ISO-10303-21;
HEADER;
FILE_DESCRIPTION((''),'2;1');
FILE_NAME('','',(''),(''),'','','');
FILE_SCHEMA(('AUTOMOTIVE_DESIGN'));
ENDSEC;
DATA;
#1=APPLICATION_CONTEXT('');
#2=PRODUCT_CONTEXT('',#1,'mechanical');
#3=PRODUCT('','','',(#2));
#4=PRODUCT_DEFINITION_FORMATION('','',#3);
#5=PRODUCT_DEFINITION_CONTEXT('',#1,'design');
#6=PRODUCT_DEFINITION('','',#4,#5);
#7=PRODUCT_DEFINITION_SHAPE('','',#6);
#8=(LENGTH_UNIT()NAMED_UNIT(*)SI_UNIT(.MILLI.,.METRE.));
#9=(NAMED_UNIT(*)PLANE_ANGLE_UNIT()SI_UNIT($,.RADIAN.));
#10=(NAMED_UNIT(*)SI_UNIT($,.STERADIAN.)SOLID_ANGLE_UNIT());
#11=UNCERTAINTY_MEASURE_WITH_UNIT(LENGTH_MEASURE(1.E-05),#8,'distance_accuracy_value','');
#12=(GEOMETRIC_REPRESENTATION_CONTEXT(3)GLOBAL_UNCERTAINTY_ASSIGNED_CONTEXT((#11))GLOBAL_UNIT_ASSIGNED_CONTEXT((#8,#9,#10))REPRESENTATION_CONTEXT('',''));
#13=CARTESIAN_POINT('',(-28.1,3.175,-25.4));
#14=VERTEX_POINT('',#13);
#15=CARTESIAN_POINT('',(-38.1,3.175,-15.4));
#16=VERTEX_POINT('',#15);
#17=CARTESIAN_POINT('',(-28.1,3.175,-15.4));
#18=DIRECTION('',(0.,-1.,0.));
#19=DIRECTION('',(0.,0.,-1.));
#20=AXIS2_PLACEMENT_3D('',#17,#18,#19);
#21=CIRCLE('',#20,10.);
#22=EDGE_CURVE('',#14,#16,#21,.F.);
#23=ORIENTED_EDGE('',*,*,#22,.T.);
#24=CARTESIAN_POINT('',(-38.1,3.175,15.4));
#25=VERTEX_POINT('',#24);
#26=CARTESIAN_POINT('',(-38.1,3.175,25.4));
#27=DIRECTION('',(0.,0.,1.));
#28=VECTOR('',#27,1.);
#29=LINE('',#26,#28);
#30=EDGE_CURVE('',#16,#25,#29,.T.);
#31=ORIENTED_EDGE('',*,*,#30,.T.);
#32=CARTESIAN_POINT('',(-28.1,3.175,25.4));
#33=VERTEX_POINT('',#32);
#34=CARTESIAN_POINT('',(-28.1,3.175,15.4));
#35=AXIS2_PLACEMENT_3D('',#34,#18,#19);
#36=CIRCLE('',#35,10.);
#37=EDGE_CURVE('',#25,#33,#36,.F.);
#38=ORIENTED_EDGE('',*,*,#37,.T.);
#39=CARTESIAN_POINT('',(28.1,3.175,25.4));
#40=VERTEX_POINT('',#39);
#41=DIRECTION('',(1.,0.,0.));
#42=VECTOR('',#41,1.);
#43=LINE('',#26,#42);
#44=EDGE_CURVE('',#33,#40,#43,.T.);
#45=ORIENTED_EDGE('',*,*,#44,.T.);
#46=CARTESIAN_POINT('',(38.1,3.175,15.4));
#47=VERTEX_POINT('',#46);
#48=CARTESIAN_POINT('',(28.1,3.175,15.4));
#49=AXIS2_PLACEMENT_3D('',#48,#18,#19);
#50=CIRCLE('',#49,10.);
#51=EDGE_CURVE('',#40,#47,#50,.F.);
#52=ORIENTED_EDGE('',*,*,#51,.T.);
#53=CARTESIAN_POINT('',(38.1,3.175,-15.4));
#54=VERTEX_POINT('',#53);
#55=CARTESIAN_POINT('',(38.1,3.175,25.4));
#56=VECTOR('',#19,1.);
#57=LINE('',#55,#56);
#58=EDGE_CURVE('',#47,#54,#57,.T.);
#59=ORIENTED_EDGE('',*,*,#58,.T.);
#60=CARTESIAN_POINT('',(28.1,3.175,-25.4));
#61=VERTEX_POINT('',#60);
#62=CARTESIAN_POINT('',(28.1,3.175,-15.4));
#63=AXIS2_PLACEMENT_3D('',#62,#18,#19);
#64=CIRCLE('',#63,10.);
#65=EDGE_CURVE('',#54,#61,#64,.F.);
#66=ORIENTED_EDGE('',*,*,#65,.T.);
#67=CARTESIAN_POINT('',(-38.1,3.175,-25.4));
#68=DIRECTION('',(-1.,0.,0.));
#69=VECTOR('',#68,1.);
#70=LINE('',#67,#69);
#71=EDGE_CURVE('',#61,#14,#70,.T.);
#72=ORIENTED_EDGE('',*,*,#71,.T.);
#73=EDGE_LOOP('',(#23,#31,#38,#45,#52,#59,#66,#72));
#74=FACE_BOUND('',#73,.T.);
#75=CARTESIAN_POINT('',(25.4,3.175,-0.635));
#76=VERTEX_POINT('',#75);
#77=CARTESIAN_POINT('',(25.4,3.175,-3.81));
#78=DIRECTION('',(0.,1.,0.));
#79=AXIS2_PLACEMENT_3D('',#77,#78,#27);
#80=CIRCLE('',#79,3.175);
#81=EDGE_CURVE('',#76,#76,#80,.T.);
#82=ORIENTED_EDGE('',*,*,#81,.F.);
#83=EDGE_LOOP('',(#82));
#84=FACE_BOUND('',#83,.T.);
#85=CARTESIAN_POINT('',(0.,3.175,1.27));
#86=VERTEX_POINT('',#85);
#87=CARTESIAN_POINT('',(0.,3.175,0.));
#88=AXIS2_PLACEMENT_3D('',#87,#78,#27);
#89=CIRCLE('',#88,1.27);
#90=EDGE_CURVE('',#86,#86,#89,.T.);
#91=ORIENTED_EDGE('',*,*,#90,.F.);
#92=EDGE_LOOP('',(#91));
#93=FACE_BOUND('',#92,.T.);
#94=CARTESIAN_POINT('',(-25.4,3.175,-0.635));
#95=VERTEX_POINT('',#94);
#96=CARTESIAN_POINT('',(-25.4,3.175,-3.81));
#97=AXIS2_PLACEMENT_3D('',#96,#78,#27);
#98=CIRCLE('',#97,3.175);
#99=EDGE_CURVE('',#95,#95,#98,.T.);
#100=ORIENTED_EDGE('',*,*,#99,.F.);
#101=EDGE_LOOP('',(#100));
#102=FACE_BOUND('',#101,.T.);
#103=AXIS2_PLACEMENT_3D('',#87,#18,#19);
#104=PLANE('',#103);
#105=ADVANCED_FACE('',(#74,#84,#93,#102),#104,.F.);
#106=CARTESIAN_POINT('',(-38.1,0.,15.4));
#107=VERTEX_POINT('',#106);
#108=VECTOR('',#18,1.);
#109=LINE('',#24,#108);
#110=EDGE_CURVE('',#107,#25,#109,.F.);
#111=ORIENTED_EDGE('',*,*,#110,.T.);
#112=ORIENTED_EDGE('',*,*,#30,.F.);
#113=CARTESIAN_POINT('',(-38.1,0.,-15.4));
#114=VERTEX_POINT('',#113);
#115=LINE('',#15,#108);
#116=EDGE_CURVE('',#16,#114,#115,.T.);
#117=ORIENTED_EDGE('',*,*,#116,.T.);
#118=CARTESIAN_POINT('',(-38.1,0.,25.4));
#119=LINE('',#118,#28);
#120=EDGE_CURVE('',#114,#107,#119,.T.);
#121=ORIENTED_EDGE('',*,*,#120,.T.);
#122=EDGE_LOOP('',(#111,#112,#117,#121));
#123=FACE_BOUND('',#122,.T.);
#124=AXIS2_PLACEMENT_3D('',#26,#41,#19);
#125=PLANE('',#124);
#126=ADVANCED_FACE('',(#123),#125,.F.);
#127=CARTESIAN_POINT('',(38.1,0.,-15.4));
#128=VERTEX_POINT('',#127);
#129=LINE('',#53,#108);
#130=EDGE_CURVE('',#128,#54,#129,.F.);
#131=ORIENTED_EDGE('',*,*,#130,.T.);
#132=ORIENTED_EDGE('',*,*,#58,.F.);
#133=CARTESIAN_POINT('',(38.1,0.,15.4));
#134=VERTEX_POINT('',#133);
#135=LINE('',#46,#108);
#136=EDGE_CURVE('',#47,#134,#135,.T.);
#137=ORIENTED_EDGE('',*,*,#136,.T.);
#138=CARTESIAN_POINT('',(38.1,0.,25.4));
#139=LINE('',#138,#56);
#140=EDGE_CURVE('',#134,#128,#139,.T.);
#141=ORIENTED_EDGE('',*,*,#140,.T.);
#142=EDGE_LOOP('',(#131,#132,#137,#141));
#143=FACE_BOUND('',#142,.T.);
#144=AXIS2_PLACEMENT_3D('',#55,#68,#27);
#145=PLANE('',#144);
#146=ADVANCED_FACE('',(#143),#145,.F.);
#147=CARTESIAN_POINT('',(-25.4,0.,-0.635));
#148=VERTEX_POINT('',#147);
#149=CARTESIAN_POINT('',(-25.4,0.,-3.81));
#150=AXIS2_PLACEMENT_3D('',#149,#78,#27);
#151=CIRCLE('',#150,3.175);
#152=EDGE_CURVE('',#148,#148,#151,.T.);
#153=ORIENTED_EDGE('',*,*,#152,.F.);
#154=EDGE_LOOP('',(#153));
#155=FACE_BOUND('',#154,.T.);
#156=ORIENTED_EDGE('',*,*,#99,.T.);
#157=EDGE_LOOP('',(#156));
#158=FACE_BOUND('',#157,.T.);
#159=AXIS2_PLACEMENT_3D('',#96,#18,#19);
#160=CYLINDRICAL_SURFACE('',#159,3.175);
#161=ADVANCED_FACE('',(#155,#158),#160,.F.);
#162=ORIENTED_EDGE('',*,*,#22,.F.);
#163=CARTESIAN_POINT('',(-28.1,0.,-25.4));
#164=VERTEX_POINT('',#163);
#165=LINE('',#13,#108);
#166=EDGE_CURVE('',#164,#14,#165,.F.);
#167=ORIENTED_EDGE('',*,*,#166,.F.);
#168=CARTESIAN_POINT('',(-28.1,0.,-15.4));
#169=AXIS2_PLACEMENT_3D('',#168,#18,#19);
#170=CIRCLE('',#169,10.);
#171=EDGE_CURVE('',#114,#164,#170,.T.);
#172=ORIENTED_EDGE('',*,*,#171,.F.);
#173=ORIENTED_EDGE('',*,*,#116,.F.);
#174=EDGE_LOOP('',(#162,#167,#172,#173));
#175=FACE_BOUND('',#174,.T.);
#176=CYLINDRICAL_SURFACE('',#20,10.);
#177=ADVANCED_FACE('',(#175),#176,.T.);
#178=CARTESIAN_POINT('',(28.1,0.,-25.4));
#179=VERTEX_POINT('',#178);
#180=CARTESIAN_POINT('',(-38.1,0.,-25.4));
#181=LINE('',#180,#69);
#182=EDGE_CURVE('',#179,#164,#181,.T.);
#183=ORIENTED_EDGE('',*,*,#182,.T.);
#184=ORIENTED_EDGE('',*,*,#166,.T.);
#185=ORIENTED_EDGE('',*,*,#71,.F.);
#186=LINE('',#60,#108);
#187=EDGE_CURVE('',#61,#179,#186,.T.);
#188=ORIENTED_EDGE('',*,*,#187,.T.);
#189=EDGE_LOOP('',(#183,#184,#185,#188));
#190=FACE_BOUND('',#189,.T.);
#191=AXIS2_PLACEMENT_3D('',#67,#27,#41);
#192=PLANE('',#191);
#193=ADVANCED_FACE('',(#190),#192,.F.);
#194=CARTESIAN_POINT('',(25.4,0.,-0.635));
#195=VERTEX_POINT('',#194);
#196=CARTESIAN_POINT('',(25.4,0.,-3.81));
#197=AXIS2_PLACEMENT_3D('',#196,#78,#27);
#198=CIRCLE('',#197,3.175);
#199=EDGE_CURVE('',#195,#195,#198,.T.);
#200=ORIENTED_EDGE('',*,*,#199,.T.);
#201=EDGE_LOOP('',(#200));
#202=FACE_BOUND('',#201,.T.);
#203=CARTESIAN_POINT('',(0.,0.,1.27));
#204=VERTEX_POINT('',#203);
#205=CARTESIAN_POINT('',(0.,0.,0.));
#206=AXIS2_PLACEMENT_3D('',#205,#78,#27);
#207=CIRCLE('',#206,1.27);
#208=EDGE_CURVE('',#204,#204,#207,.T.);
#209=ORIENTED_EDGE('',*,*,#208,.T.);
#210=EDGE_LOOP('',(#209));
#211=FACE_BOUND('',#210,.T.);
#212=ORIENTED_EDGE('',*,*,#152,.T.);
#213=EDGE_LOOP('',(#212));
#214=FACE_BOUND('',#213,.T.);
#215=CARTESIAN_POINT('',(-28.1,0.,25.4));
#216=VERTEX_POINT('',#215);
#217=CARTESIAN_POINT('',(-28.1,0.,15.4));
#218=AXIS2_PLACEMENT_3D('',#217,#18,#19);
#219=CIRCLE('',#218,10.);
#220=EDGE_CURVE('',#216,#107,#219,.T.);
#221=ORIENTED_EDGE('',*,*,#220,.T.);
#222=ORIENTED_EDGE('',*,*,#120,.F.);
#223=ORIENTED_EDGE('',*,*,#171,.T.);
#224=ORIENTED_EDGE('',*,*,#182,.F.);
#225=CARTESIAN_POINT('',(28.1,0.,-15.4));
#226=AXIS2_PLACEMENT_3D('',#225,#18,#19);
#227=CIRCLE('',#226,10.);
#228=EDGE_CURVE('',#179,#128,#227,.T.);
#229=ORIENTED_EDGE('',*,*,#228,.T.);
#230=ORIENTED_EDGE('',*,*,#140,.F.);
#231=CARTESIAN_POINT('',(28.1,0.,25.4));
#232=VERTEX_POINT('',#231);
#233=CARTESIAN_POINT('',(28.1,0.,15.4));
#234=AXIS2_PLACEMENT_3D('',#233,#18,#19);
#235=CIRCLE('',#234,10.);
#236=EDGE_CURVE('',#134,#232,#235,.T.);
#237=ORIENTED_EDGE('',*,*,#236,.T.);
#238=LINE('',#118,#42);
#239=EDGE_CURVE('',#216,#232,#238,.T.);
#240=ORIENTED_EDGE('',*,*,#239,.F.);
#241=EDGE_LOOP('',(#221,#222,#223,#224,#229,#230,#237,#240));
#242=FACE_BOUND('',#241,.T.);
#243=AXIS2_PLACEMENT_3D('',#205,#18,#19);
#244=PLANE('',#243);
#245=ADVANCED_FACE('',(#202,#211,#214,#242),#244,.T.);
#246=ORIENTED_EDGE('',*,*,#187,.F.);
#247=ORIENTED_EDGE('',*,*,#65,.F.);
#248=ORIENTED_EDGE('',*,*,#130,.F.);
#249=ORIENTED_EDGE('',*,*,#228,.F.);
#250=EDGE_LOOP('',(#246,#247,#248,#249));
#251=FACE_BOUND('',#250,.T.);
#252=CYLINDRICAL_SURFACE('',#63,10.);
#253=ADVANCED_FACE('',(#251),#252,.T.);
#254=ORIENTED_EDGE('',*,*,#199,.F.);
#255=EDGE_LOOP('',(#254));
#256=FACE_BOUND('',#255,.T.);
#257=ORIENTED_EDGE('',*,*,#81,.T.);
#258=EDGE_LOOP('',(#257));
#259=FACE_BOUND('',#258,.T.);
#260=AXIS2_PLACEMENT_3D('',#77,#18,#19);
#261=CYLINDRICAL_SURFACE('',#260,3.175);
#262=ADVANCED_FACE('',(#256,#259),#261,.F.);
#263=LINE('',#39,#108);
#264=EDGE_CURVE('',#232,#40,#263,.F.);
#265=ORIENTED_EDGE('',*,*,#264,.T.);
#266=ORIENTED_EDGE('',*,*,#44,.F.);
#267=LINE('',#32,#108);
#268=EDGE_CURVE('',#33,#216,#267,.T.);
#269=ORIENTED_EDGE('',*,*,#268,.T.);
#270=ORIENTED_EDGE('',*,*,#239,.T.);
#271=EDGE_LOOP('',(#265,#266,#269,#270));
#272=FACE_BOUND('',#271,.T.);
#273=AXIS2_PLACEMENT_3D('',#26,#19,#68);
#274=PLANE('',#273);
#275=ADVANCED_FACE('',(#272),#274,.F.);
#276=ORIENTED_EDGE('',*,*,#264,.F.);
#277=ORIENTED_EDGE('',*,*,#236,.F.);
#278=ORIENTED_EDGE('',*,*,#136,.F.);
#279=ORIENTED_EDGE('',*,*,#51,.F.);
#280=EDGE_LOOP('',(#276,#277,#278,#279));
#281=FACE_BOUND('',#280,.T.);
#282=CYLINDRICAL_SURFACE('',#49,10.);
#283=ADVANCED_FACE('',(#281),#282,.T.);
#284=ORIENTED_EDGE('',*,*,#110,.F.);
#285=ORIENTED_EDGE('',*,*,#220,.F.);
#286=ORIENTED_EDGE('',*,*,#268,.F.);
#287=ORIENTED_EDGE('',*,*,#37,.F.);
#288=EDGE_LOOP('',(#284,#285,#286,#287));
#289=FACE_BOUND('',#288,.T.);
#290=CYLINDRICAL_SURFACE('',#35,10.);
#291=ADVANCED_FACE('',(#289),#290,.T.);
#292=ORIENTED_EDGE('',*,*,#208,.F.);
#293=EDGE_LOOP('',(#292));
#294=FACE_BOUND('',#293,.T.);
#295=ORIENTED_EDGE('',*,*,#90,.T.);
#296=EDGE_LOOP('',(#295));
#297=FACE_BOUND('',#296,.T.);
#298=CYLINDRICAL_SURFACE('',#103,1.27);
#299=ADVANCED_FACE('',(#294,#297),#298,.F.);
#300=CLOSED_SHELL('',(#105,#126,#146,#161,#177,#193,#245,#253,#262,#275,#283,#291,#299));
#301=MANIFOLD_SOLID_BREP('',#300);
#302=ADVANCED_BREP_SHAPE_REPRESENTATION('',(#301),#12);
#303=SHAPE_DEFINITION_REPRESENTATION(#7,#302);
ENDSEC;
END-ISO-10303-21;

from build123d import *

# Parameters (mm, degrees)
SKETCH1_W           = 76.2
SKETCH1_H           = 50.8
SKETCH1_R           = 3.175
SKETCH1_R_2         = 1.27
BOSS_EXTRUDE1_DEPTH = 3.175
FILLET1_R           = 10


with BuildPart() as part:
    # Sketch1 → Boss-Extrude1 (new body)
    with BuildSketch(Plane(origin=(0, 0, 0), x_dir=(1, 0, 0), z_dir=(0, 1, 0))):
        Rectangle(SKETCH1_W, SKETCH1_H)
        with Locations(Location((-25.4, 3.81, 0), (0, 0, 270))):
            Circle(SKETCH1_R, mode=Mode.SUBTRACT)
        with Locations(Location((25.4, 3.81, 0), (0, 0, 270))):
            Circle(SKETCH1_R, mode=Mode.SUBTRACT)
        with Locations(Location((0, 0, 0), (0, 0, 270))):
            Circle(SKETCH1_R_2, mode=Mode.SUBTRACT)
    extrude(amount=BOSS_EXTRUDE1_DEPTH)

    # Fillet1
    fillet1_edges = [part.edges().sort_by_distance(p)[0] for p in [
        (38.1, 1.5875, 25.4),
        (-38.1, 1.5875, 25.4),
        (-38.1, 1.5875, -25.4),
        (38.1, 1.5875, -25.4),
    ]]
    fillet(fillet1_edges, radius=FILLET1_R)


solid = part.part
